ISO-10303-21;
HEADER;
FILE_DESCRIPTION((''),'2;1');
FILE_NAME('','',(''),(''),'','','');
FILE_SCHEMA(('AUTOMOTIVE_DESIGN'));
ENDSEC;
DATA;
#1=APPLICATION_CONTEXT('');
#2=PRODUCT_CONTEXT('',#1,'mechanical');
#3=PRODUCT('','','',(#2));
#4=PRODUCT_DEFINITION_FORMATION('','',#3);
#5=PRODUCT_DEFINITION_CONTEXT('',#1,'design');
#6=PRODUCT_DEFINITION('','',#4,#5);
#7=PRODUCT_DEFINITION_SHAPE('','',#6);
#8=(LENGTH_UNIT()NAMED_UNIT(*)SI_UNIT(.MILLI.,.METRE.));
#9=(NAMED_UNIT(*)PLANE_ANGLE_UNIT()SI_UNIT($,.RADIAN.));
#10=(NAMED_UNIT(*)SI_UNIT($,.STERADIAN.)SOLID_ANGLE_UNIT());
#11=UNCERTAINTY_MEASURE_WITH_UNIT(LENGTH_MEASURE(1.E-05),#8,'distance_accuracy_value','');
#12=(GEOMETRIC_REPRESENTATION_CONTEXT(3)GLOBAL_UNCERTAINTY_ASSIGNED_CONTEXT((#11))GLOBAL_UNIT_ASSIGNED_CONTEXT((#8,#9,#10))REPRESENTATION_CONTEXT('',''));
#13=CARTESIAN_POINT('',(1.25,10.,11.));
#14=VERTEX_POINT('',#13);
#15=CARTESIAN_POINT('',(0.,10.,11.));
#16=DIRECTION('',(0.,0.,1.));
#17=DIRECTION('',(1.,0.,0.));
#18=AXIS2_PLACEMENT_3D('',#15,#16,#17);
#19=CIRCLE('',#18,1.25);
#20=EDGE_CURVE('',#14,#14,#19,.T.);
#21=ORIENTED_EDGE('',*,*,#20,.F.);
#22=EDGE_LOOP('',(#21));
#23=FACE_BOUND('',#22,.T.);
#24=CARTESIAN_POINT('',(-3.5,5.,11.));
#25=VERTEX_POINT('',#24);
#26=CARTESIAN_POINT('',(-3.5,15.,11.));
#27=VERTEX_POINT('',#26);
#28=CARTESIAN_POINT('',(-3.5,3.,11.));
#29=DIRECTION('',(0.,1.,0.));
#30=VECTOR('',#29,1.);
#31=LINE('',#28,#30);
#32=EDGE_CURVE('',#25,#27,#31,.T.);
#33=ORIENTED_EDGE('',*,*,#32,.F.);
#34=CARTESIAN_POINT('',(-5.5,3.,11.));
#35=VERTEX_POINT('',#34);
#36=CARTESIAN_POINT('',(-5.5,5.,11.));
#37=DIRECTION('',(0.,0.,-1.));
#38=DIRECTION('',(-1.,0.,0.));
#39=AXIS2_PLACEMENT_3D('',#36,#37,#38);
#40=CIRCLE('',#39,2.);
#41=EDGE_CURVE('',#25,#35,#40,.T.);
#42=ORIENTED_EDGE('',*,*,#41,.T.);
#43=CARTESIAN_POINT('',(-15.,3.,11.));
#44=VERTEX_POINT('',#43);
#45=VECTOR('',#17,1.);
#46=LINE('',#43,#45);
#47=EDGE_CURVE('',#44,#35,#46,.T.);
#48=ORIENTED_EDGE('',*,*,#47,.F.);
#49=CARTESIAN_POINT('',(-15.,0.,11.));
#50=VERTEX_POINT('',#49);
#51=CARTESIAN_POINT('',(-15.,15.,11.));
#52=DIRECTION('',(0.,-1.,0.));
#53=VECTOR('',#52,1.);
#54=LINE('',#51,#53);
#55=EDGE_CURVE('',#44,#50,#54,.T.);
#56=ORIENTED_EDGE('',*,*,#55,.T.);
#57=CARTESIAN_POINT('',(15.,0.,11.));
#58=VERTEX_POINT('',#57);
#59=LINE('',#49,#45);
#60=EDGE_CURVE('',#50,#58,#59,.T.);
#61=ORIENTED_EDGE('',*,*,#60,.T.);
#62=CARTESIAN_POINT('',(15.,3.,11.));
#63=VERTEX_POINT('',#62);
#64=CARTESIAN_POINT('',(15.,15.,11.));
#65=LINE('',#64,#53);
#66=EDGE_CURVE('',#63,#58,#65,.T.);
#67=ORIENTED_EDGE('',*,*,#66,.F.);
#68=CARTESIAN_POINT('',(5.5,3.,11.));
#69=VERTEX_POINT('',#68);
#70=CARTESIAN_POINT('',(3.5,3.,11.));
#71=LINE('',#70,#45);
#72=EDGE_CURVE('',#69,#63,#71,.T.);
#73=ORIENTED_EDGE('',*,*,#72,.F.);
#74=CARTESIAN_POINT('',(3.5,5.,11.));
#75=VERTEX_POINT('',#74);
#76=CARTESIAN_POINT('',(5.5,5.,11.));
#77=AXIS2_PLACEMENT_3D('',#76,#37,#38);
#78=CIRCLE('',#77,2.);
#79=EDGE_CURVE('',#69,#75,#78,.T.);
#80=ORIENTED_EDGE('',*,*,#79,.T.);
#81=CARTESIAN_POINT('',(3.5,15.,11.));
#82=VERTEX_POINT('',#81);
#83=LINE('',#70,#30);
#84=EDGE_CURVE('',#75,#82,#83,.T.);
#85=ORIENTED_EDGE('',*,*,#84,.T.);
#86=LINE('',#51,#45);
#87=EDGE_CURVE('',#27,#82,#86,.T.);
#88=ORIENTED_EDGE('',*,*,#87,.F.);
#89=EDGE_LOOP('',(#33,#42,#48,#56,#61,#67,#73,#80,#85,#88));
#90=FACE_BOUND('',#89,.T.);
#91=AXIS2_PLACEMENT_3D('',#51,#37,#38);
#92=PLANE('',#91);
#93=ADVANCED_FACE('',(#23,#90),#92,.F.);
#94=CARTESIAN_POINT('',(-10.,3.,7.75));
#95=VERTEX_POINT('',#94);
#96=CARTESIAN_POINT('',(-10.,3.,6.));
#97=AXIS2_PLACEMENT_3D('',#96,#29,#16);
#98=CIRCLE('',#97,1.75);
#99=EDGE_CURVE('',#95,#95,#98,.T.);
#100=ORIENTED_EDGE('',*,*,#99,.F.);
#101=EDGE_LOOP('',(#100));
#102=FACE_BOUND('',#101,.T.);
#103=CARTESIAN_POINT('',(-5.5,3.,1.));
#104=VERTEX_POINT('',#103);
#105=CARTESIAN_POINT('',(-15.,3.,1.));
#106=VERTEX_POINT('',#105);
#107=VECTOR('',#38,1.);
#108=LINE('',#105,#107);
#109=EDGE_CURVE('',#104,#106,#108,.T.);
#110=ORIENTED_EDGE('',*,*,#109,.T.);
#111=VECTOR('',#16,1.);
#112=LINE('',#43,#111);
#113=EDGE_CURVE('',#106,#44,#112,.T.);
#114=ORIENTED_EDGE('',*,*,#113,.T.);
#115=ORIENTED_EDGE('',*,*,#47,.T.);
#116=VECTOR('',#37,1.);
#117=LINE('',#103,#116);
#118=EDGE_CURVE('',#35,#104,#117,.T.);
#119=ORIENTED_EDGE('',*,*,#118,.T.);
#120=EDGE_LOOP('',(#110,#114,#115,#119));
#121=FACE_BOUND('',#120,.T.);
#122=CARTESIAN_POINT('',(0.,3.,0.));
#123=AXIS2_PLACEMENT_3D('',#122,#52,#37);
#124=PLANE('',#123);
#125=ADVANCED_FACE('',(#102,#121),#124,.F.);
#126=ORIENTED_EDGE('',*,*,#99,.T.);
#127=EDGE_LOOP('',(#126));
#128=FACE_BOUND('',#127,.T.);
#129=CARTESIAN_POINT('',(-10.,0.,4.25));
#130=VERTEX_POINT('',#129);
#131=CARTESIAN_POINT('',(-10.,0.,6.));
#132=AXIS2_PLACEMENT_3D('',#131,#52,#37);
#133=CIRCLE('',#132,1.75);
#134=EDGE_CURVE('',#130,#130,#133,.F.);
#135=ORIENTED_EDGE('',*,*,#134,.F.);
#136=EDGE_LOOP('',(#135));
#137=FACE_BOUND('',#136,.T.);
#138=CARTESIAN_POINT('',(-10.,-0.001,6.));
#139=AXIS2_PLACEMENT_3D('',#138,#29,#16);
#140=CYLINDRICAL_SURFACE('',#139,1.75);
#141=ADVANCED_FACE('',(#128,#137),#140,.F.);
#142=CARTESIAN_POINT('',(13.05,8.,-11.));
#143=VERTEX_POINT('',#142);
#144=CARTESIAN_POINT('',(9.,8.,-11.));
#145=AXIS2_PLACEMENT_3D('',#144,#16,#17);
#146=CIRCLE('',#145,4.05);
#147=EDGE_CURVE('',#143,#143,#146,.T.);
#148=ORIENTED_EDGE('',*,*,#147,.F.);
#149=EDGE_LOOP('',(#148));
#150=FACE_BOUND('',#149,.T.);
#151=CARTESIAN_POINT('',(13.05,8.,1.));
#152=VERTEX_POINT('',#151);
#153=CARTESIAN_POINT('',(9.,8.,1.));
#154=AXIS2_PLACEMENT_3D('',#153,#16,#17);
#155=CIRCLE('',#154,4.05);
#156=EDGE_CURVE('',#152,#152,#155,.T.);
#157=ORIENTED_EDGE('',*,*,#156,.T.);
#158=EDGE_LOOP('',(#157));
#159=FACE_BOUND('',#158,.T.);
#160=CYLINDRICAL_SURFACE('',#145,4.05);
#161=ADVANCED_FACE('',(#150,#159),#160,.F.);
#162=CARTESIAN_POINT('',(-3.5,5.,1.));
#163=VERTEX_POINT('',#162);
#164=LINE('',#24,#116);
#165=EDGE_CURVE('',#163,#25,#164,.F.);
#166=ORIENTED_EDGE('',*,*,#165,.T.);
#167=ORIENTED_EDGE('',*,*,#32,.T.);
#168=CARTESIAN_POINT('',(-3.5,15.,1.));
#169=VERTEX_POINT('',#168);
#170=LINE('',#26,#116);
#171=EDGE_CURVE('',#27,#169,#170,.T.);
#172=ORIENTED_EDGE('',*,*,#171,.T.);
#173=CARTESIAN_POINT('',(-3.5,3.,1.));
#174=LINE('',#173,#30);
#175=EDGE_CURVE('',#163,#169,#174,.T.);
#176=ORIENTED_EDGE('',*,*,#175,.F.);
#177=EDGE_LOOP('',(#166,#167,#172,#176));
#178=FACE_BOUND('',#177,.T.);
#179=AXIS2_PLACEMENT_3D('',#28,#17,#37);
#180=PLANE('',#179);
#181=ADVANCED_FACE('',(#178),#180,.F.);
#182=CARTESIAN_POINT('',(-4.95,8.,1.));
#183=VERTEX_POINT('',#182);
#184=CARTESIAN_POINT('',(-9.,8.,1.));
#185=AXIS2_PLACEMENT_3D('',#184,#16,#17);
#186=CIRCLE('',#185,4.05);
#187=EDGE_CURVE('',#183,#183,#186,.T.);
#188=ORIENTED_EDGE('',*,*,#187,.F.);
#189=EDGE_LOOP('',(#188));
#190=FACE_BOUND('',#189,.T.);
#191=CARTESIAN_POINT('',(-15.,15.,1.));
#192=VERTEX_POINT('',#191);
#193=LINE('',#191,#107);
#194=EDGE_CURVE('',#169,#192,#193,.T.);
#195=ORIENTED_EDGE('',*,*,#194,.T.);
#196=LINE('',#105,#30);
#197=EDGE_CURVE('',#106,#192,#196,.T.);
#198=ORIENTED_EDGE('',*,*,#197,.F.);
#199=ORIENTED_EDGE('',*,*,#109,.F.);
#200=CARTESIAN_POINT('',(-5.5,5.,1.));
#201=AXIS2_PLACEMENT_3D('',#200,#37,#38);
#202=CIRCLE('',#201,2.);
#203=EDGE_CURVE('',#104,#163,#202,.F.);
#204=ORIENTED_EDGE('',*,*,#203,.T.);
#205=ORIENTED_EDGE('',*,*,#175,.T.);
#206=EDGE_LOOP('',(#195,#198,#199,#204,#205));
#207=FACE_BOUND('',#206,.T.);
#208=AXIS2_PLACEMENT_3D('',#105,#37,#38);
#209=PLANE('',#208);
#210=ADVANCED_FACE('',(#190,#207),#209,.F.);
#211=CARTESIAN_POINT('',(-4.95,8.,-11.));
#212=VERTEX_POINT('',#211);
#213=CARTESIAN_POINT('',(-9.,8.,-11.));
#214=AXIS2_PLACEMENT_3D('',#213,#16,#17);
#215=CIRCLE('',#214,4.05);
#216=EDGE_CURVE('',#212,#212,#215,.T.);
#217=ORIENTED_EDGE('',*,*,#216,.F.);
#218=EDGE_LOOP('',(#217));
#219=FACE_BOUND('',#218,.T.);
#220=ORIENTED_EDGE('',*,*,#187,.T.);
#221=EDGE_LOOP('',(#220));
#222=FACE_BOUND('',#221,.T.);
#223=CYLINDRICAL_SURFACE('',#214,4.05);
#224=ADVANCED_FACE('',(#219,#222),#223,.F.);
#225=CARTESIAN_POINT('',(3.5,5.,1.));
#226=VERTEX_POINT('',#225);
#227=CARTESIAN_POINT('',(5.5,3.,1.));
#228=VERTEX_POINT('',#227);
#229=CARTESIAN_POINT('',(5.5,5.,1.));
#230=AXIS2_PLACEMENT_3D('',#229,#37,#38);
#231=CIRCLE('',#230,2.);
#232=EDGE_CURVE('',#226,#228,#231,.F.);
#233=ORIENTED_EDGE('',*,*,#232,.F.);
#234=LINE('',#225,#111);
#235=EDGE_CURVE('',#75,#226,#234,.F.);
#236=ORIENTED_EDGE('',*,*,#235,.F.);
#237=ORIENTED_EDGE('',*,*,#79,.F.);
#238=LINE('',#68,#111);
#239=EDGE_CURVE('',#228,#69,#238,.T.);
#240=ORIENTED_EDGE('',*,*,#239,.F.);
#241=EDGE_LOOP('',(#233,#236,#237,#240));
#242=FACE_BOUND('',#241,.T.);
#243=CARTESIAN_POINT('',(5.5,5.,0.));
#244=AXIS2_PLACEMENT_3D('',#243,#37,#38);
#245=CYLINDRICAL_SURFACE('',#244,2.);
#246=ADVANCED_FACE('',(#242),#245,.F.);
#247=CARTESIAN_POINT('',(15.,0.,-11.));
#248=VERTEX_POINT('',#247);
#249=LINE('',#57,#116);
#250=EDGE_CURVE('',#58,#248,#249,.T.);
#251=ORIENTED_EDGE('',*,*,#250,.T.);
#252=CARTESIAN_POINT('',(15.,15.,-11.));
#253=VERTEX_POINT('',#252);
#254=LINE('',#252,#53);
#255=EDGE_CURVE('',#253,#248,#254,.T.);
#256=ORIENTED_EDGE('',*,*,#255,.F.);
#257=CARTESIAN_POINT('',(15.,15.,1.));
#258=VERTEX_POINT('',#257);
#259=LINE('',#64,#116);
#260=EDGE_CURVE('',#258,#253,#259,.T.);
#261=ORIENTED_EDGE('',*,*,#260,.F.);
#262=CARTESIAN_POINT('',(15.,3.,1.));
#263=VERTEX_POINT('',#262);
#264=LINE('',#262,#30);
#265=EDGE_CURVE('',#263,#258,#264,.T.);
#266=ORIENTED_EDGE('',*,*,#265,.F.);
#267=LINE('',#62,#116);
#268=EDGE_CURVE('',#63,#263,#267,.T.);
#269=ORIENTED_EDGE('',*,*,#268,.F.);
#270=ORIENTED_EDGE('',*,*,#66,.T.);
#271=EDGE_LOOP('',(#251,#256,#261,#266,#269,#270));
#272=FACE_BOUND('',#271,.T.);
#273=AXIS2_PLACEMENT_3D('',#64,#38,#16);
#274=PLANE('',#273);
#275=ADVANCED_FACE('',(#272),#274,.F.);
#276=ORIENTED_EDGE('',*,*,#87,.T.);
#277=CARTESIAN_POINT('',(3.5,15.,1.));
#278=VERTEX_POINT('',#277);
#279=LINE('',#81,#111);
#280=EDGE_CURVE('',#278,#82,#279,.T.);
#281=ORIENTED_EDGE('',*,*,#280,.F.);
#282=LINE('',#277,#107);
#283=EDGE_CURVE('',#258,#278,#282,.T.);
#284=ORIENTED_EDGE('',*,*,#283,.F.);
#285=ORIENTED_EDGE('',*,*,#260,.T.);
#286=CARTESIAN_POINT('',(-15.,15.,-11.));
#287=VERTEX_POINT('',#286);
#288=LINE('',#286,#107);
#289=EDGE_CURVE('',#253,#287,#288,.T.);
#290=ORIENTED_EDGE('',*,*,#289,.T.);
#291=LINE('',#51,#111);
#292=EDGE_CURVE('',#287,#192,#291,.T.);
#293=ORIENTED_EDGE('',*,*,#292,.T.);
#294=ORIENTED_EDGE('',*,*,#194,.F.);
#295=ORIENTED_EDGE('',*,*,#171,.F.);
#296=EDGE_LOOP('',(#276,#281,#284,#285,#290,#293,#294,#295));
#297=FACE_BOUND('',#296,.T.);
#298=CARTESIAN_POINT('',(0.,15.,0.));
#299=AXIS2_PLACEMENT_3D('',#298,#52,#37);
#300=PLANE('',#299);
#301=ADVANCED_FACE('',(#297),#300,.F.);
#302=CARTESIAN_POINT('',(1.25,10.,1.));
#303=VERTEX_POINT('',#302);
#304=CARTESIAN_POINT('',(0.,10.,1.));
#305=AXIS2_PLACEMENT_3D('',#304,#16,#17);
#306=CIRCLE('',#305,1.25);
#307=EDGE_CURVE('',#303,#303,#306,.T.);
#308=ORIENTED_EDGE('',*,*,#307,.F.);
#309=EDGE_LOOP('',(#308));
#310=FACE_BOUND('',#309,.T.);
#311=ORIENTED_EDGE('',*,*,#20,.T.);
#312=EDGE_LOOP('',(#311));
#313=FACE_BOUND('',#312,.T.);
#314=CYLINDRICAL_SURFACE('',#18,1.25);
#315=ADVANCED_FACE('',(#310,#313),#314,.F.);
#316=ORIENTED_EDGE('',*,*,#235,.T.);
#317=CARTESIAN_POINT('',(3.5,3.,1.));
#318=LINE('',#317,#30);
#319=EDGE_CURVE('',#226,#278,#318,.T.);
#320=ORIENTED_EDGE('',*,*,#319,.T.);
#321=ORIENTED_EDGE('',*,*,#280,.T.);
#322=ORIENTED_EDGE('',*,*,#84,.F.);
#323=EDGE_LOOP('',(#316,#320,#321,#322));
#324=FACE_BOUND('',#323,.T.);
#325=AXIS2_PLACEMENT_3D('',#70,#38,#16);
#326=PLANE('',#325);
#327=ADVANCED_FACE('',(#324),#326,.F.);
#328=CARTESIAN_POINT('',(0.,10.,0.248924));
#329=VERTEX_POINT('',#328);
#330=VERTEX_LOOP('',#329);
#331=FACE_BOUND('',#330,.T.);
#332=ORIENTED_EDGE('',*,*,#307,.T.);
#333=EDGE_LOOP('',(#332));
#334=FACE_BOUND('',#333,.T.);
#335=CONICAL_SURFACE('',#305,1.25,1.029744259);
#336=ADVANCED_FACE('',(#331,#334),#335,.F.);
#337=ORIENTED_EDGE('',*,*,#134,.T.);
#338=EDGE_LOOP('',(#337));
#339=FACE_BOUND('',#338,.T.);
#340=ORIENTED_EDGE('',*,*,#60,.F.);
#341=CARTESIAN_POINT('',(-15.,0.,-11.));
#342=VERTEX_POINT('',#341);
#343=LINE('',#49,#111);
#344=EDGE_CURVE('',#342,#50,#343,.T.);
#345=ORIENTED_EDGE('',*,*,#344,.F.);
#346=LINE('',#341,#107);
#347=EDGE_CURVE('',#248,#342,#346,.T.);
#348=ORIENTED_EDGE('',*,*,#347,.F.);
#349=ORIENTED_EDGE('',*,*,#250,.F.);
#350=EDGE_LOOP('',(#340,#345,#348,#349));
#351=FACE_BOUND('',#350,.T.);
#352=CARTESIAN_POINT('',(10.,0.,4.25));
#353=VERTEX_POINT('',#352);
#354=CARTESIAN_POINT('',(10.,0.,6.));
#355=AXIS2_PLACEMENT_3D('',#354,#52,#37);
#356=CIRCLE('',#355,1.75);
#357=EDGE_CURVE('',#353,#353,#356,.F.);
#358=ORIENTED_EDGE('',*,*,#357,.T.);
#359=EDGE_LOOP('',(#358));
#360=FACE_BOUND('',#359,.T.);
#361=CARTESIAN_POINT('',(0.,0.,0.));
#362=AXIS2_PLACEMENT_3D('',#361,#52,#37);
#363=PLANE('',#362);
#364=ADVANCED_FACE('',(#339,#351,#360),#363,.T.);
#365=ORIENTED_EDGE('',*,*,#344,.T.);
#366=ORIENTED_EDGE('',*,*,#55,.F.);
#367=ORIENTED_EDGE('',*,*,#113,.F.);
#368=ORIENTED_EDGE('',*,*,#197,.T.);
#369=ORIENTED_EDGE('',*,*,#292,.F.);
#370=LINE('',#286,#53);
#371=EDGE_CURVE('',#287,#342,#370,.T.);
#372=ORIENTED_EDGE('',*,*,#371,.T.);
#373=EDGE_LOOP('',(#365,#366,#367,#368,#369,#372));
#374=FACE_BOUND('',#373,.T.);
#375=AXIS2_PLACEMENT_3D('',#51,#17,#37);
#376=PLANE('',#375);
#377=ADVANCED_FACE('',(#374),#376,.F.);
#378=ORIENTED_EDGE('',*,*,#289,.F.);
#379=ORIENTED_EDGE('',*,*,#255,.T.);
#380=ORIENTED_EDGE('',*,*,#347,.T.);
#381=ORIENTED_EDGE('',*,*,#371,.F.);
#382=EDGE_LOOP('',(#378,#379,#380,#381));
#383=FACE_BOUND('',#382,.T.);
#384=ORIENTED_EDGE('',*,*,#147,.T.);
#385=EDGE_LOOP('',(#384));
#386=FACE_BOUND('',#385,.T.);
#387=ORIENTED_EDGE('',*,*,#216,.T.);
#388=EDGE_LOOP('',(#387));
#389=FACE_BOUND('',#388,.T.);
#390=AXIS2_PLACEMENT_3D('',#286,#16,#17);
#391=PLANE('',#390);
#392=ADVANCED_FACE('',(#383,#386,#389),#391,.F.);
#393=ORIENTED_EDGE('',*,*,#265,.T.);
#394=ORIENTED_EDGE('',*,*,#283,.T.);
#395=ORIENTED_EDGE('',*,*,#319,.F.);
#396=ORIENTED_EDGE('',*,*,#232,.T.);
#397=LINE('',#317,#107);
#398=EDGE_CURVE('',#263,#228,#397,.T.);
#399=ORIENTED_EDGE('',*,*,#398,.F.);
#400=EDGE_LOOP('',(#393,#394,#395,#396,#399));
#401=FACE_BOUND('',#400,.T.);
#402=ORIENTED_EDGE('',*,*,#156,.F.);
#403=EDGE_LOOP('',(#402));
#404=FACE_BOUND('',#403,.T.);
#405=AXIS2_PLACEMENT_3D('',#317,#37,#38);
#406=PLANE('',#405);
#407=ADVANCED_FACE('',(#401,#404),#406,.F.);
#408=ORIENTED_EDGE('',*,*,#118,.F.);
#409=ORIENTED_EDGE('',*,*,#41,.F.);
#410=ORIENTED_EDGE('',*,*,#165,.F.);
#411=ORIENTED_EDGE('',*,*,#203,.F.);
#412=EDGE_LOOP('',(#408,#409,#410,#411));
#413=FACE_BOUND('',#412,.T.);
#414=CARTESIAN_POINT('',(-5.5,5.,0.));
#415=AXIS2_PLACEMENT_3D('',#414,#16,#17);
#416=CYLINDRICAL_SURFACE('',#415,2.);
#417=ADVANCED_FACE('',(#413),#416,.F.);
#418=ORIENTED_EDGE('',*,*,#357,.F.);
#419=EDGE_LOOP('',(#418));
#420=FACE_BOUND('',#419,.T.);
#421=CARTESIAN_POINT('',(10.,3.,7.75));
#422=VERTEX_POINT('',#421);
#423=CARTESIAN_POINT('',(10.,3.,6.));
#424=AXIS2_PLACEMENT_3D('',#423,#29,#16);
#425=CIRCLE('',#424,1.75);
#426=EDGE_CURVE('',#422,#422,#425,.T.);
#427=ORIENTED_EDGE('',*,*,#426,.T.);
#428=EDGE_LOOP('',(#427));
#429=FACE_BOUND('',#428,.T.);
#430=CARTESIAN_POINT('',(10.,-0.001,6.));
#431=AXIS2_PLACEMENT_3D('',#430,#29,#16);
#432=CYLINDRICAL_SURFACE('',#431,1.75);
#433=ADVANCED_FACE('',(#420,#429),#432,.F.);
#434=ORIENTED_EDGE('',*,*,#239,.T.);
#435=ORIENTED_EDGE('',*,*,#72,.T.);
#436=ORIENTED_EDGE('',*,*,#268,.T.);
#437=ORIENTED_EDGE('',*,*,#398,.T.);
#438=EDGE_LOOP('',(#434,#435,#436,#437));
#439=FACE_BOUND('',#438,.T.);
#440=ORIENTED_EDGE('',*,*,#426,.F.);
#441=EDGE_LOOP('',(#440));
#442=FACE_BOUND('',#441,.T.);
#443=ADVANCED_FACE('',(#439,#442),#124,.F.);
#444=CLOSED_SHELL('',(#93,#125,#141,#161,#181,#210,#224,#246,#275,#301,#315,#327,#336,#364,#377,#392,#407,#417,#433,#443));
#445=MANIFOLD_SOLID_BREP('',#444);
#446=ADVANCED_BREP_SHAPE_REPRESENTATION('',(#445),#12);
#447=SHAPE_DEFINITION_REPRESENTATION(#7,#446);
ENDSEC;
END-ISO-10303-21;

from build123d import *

# Parameters (mm, degrees)
ESQUISSE1_W             = 30
ESQUISSE1_H             = 22
BOSS_EXTRU_1_DEPTH      = 15
ESQUISSE2_W             = 11.5
ESQUISSE2_H             = 10
ENL_V_MAT_EXTRU_2_DEPTH = 12
CONG_1_R                = 2
ESQUISSE3_R             = 4.05
ENL_V_MAT_EXTRU_3_DEPTH = 13
ENL_V_MAT_EXTRU_4_REACH = 5
ESQUISSE4_R             = 1.75
TROU_TARAUD_M31_D       = 2.5
TROU_TARAUD_M31_DEPTH   = 10
TROU_TARAUD_M31_TIP     = 0.751075774


with BuildPart() as part:
    # Esquisse1 → Boss.-Extru.1 (new body)
    with BuildSketch(Plane(origin=(0, 0, 0), x_dir=(1, 0, 0), z_dir=(0, 1, 0))):
        Rectangle(ESQUISSE1_W, ESQUISSE1_H)
    extrude(amount=BOSS_EXTRU_1_DEPTH)

    # Esquisse2 → Enlèv. mat.-Extru.2 (cut)
    with BuildSketch(Plane(origin=(0, 15, 0), x_dir=(1, 0, 0), z_dir=(0, 1, 0))):
        with Locations((-9.25, -6)):
            Rectangle(ESQUISSE2_W, ESQUISSE2_H)
        with Locations((9.25, -6)):
            Rectangle(ESQUISSE2_W, ESQUISSE2_H)
    extrude(amount=-ENL_V_MAT_EXTRU_2_DEPTH, mode=Mode.SUBTRACT)

    # Congé1
    cong_1_edges = [part.edges().sort_by_distance(p)[0] for p in [
        (-3.5, 3, 6),
        (3.5, 3, 6),
    ]]
    fillet(cong_1_edges, radius=CONG_1_R)

    # Esquisse3 → Enlèv. mat.-Extru.3 (cut, through all)
    with BuildSketch(Plane.XY.offset(1)):
        with Locations((-9, 8)):
            Circle(ESQUISSE3_R)
        with Locations((9, 8)):
            Circle(ESQUISSE3_R)
    extrude(amount=-ENL_V_MAT_EXTRU_3_DEPTH, mode=Mode.SUBTRACT)

    # Esquisse4 → Enlèv. mat.-Extru.4 (cut, up to next)
    with BuildSketch(Plane(origin=(0, 3, 0), x_dir=(1, 0, 0), z_dir=(0, 1, 0)), mode=Mode.PRIVATE) as enl_v_mat_extru_4_sk1:
        with Locations(Location((-10, -6, 0), (0, 0, 270))):  # turned: the seam where the file's is
            Circle(ESQUISSE4_R)
    enl_v_mat_extru_4_tool1 = extrude(enl_v_mat_extru_4_sk1.sketch, amount=-ENL_V_MAT_EXTRU_4_REACH, mode=Mode.PRIVATE) & part.part
    add(enl_v_mat_extru_4_tool1.solids().sort_by_distance((-10, 3, 6))[0], mode=Mode.SUBTRACT)
    # Esquisse4 → Enlèv. mat.-Extru.4 (cut, up to next)
    with BuildSketch(Plane(origin=(0, 3, 0), x_dir=(1, 0, 0), z_dir=(0, 1, 0)), mode=Mode.PRIVATE) as enl_v_mat_extru_4_sk2:
        with Locations(Location((10, -6, 0), (0, 0, 270))):  # turned: the seam where the file's is
            Circle(ESQUISSE4_R)
    enl_v_mat_extru_4_tool2 = extrude(enl_v_mat_extru_4_sk2.sketch, amount=-ENL_V_MAT_EXTRU_4_REACH, mode=Mode.PRIVATE) & part.part
    add(enl_v_mat_extru_4_tool2.solids().sort_by_distance((10, 3, 6))[0], mode=Mode.SUBTRACT)

    # Trou taraudé M31
    with Locations(Plane.XY.offset(11)):
        with Locations((0, 10)):
            Hole(TROU_TARAUD_M31_D / 2, depth=TROU_TARAUD_M31_DEPTH)
            with Locations((0, 0, -(TROU_TARAUD_M31_DEPTH + TROU_TARAUD_M31_TIP / 2))):  # 118° drill point
                Cone(0, TROU_TARAUD_M31_D / 2, TROU_TARAUD_M31_TIP, mode=Mode.SUBTRACT)


solid = part.part
